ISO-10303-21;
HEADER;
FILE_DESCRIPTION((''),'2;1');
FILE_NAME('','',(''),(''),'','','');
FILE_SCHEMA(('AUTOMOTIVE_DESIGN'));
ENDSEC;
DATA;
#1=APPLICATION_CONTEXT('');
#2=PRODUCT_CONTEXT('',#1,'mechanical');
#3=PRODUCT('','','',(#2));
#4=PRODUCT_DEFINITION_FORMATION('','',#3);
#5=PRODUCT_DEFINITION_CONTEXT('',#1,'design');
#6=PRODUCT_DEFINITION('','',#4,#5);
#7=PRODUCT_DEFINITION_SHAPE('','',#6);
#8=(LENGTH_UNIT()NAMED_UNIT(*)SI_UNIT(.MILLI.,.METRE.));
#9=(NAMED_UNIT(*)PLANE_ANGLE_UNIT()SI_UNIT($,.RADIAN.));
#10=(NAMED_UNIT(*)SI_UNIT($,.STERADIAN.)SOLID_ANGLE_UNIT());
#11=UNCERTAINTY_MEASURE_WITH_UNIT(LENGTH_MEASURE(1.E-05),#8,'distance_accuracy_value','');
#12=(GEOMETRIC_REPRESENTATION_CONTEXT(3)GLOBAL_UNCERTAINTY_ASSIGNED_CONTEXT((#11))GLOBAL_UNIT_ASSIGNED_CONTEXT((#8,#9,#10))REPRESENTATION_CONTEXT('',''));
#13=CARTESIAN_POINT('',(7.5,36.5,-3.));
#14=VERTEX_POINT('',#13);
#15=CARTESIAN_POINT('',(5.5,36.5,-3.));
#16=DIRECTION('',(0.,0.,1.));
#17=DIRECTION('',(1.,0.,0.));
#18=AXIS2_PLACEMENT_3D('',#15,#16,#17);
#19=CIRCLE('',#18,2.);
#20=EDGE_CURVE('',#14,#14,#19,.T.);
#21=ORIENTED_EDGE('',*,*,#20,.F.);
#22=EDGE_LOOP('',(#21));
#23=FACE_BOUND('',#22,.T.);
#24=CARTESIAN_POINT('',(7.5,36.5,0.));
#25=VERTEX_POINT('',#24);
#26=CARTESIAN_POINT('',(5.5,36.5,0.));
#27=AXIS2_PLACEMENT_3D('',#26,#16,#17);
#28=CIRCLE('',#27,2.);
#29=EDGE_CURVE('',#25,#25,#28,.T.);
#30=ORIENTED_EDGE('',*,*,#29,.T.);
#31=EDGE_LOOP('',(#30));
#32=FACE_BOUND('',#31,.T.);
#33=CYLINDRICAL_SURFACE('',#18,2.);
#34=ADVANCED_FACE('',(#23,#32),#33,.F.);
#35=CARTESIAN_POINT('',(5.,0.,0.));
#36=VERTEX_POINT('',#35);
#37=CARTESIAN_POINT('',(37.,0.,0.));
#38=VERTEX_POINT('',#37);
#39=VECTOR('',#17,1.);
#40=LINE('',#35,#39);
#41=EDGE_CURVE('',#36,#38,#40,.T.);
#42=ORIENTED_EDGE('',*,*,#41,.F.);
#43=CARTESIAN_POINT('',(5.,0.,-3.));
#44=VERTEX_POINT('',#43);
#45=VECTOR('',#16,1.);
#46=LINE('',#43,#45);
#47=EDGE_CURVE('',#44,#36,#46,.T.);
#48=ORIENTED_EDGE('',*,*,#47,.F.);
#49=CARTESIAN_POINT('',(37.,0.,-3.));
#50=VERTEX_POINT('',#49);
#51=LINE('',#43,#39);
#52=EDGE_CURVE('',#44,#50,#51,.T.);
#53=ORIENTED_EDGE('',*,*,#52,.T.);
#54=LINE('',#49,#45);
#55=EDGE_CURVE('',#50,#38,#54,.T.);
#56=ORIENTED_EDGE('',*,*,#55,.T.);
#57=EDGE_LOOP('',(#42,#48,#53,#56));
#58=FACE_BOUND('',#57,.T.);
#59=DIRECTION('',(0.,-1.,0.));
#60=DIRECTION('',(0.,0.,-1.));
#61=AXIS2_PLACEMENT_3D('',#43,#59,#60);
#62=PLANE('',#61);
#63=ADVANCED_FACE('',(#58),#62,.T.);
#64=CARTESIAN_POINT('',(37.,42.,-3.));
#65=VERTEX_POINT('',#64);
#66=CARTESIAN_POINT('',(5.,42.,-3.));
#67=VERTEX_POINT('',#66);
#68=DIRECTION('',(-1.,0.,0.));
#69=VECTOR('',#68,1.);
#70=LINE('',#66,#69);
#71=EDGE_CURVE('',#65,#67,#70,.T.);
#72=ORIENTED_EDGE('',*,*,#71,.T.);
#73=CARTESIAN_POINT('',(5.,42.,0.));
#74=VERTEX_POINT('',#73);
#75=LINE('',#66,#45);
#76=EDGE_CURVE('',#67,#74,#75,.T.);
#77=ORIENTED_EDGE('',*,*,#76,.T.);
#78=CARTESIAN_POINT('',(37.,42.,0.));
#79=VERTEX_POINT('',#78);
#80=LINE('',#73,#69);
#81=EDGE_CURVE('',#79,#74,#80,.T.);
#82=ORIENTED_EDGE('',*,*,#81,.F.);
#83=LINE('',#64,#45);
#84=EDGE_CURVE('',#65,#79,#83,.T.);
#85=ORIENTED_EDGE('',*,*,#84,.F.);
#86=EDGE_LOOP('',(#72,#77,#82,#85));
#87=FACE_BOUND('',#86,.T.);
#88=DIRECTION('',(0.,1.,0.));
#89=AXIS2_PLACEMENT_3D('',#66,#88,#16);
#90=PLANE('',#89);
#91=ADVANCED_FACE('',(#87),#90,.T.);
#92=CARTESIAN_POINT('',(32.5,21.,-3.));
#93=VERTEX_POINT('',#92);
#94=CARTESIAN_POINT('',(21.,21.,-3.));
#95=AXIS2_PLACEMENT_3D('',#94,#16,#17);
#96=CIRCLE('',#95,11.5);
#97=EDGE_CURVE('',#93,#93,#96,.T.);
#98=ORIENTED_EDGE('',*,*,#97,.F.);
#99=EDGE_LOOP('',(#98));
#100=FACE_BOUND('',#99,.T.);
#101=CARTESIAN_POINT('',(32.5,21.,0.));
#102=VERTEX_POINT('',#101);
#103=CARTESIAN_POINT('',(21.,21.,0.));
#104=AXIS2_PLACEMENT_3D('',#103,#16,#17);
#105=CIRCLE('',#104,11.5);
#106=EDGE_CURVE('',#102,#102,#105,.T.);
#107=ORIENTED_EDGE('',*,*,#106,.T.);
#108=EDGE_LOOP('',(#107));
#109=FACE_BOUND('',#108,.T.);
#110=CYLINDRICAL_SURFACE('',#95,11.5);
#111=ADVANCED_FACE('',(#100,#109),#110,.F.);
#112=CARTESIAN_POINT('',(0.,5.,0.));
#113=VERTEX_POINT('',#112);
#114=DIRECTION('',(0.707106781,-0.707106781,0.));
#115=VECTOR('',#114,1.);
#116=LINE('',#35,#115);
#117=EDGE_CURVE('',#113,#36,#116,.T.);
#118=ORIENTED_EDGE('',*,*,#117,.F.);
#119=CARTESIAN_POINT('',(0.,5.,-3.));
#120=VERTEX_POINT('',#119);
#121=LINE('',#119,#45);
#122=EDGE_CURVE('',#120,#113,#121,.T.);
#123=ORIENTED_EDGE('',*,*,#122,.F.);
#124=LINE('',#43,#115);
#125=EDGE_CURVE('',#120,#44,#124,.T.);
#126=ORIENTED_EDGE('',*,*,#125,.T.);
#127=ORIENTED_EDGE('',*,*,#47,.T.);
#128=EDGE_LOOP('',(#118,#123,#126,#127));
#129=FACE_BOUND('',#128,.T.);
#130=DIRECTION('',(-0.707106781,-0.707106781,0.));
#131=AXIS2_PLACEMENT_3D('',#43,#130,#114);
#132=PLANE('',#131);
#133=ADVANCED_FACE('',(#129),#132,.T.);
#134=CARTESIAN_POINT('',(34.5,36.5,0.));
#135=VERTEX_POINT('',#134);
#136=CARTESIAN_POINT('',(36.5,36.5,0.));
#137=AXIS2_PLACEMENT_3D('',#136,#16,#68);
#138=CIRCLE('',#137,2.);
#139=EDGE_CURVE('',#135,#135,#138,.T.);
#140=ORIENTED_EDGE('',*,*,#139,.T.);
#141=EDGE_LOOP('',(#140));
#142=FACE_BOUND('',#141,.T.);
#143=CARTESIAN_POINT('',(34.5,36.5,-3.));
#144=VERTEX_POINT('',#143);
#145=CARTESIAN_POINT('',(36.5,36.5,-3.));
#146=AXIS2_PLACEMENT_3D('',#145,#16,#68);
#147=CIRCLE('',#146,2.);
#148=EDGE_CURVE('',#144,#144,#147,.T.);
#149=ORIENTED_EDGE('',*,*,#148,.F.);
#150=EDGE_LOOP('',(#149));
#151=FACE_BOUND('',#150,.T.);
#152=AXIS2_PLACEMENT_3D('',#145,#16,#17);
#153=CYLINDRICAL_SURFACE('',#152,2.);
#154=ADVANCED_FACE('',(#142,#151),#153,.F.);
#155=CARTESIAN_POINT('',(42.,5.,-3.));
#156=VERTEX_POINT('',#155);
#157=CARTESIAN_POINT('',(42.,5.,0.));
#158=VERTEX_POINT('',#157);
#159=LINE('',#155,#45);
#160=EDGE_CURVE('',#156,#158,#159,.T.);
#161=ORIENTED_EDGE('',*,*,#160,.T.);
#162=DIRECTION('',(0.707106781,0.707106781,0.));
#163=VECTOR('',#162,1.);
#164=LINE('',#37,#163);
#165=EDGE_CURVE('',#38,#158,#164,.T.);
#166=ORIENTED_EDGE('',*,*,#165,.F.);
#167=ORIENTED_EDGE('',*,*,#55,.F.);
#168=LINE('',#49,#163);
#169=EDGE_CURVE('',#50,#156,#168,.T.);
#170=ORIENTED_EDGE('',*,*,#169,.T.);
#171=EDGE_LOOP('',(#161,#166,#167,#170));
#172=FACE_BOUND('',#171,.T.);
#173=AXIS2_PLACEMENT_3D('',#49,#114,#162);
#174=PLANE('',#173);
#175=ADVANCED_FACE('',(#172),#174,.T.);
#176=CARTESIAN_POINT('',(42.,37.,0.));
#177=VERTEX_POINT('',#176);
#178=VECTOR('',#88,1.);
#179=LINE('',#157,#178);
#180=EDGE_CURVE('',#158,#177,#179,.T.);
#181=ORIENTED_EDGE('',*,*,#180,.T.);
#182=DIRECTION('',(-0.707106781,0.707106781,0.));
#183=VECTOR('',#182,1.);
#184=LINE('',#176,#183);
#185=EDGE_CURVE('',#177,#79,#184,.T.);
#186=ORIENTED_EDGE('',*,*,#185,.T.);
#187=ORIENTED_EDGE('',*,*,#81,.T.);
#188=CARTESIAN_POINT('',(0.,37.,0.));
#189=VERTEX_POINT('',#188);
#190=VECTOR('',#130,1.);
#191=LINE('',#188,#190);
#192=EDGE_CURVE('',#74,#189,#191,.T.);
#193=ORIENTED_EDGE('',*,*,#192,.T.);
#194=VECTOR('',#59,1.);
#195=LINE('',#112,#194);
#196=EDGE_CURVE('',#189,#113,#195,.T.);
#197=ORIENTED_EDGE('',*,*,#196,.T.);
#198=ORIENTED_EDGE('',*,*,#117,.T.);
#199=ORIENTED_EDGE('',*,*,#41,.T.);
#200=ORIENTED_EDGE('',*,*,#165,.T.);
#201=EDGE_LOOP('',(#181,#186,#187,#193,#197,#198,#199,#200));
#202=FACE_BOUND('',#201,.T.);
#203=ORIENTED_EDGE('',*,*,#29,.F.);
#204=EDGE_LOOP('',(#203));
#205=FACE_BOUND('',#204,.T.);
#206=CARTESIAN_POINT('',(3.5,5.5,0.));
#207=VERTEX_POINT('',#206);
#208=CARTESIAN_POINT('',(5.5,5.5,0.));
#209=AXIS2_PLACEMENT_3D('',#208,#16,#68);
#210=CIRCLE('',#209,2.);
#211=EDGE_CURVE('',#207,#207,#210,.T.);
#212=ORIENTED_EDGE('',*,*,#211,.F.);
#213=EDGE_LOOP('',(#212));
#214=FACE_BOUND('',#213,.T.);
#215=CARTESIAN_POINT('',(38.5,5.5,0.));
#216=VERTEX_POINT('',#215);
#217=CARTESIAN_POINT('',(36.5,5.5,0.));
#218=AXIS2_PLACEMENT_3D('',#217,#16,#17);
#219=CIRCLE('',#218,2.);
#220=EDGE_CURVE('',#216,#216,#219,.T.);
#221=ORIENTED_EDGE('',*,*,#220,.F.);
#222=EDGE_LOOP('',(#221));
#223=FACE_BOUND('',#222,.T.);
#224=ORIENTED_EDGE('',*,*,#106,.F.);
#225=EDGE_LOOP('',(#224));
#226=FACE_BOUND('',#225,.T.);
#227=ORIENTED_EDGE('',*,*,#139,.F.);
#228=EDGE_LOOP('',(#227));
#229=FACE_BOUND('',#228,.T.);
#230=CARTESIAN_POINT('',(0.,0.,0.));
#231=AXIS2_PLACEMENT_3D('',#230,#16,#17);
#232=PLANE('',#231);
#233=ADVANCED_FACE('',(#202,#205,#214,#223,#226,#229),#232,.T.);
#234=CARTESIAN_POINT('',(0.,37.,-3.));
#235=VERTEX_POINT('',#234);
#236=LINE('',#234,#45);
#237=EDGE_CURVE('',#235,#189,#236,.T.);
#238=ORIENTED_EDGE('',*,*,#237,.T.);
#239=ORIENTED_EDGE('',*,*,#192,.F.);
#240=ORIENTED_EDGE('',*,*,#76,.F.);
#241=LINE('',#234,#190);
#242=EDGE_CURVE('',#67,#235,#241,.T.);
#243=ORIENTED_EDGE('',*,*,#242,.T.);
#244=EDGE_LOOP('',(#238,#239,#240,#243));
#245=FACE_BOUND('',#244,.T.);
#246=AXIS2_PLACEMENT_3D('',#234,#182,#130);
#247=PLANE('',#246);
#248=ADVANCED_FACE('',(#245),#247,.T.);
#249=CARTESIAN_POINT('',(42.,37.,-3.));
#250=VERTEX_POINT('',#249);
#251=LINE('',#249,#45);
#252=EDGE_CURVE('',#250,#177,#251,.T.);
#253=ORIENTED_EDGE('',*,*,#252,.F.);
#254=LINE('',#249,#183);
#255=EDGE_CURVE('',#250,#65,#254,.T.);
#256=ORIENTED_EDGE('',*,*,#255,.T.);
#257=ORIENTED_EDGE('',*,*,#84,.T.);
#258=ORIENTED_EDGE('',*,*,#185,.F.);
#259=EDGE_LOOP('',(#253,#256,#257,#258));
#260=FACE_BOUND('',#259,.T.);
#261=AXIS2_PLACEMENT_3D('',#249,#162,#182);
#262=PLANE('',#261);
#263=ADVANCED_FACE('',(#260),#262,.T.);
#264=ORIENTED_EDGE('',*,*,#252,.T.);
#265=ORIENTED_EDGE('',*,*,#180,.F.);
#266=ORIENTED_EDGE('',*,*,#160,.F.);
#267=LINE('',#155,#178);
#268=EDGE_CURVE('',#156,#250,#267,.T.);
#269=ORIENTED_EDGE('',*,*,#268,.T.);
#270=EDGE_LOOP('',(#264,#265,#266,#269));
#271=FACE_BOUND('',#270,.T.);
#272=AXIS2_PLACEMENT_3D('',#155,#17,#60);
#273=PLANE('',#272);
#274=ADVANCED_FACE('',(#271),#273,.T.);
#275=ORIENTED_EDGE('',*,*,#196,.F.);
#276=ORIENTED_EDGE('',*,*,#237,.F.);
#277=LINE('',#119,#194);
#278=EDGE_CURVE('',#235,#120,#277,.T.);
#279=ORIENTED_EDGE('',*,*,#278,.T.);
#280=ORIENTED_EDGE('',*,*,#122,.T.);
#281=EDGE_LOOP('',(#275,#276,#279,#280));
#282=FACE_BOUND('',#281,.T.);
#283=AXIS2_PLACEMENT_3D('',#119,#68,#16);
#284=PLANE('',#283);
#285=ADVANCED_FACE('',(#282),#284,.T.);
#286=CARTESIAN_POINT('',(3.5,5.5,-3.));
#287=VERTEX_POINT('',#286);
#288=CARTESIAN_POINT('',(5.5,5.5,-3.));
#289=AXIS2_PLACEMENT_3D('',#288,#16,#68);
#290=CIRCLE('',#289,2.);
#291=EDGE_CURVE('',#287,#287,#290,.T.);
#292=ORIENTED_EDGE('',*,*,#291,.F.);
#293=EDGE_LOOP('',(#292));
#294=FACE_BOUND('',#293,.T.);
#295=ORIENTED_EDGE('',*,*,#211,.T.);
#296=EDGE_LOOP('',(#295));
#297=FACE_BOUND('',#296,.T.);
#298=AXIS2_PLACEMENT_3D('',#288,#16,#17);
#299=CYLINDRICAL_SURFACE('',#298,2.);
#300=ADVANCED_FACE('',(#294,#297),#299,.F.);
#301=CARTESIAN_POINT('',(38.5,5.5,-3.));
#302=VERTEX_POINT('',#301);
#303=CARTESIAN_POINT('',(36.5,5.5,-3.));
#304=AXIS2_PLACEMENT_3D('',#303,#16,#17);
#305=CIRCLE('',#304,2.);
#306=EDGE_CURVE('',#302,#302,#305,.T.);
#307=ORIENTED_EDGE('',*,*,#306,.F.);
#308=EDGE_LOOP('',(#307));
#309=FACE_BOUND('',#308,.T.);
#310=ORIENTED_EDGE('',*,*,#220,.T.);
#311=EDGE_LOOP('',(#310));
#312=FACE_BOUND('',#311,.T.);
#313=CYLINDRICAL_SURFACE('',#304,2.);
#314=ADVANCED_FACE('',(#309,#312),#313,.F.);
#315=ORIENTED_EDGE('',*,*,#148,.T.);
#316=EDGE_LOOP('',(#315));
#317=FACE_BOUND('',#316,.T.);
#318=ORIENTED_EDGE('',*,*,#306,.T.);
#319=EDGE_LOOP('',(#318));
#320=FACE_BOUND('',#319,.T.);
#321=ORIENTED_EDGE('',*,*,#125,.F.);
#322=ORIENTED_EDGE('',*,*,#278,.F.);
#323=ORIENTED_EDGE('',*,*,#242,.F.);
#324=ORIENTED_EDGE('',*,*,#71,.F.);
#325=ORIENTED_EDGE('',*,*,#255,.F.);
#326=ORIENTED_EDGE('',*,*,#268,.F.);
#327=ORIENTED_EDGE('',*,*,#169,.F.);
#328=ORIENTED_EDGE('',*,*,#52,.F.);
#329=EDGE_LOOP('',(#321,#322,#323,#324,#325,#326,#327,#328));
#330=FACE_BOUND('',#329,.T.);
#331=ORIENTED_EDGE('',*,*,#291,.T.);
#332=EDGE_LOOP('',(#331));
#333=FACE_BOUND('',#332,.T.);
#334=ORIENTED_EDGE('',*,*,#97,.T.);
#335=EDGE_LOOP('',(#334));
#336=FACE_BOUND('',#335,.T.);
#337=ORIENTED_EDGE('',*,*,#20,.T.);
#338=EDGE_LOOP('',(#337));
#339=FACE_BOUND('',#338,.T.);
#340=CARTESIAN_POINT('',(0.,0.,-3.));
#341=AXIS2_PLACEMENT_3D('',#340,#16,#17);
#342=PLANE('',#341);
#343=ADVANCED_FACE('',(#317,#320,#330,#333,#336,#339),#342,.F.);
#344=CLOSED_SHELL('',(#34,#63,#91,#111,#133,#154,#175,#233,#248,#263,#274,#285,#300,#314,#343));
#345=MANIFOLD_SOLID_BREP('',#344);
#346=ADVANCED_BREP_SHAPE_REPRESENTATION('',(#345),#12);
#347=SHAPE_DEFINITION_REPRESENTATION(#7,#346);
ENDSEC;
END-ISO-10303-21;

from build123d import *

# Parameters (mm, degrees)
SCHIZZO1_R                   = 11.5
SCHIZZO1_R_2                 = 2
ESTRUSIONE_ESTRUSIONE1_DEPTH = 3


with BuildPart() as part:
    # Schizzo1 → Estrusione-Estrusione1 (new body)
    with BuildSketch(Plane.XY):
        Polygon((5, 0), (37, 0), (42, 5), (42, 37), (37, 42), (5, 42), (0, 37), (0, 5), align=None)
        with Locations((21, 21)):
            Circle(SCHIZZO1_R, mode=Mode.SUBTRACT)
        with Locations((5.5, 36.5)):
            Circle(SCHIZZO1_R_2, mode=Mode.SUBTRACT)
        with Locations((5.5, 5.5)):
            Circle(SCHIZZO1_R_2, mode=Mode.SUBTRACT)
        with Locations((36.5, 5.5)):
            Circle(SCHIZZO1_R_2, mode=Mode.SUBTRACT)
        with Locations((36.5, 36.5)):
            Circle(SCHIZZO1_R_2, mode=Mode.SUBTRACT)
    extrude(amount=-ESTRUSIONE_ESTRUSIONE1_DEPTH)


solid = part.part
